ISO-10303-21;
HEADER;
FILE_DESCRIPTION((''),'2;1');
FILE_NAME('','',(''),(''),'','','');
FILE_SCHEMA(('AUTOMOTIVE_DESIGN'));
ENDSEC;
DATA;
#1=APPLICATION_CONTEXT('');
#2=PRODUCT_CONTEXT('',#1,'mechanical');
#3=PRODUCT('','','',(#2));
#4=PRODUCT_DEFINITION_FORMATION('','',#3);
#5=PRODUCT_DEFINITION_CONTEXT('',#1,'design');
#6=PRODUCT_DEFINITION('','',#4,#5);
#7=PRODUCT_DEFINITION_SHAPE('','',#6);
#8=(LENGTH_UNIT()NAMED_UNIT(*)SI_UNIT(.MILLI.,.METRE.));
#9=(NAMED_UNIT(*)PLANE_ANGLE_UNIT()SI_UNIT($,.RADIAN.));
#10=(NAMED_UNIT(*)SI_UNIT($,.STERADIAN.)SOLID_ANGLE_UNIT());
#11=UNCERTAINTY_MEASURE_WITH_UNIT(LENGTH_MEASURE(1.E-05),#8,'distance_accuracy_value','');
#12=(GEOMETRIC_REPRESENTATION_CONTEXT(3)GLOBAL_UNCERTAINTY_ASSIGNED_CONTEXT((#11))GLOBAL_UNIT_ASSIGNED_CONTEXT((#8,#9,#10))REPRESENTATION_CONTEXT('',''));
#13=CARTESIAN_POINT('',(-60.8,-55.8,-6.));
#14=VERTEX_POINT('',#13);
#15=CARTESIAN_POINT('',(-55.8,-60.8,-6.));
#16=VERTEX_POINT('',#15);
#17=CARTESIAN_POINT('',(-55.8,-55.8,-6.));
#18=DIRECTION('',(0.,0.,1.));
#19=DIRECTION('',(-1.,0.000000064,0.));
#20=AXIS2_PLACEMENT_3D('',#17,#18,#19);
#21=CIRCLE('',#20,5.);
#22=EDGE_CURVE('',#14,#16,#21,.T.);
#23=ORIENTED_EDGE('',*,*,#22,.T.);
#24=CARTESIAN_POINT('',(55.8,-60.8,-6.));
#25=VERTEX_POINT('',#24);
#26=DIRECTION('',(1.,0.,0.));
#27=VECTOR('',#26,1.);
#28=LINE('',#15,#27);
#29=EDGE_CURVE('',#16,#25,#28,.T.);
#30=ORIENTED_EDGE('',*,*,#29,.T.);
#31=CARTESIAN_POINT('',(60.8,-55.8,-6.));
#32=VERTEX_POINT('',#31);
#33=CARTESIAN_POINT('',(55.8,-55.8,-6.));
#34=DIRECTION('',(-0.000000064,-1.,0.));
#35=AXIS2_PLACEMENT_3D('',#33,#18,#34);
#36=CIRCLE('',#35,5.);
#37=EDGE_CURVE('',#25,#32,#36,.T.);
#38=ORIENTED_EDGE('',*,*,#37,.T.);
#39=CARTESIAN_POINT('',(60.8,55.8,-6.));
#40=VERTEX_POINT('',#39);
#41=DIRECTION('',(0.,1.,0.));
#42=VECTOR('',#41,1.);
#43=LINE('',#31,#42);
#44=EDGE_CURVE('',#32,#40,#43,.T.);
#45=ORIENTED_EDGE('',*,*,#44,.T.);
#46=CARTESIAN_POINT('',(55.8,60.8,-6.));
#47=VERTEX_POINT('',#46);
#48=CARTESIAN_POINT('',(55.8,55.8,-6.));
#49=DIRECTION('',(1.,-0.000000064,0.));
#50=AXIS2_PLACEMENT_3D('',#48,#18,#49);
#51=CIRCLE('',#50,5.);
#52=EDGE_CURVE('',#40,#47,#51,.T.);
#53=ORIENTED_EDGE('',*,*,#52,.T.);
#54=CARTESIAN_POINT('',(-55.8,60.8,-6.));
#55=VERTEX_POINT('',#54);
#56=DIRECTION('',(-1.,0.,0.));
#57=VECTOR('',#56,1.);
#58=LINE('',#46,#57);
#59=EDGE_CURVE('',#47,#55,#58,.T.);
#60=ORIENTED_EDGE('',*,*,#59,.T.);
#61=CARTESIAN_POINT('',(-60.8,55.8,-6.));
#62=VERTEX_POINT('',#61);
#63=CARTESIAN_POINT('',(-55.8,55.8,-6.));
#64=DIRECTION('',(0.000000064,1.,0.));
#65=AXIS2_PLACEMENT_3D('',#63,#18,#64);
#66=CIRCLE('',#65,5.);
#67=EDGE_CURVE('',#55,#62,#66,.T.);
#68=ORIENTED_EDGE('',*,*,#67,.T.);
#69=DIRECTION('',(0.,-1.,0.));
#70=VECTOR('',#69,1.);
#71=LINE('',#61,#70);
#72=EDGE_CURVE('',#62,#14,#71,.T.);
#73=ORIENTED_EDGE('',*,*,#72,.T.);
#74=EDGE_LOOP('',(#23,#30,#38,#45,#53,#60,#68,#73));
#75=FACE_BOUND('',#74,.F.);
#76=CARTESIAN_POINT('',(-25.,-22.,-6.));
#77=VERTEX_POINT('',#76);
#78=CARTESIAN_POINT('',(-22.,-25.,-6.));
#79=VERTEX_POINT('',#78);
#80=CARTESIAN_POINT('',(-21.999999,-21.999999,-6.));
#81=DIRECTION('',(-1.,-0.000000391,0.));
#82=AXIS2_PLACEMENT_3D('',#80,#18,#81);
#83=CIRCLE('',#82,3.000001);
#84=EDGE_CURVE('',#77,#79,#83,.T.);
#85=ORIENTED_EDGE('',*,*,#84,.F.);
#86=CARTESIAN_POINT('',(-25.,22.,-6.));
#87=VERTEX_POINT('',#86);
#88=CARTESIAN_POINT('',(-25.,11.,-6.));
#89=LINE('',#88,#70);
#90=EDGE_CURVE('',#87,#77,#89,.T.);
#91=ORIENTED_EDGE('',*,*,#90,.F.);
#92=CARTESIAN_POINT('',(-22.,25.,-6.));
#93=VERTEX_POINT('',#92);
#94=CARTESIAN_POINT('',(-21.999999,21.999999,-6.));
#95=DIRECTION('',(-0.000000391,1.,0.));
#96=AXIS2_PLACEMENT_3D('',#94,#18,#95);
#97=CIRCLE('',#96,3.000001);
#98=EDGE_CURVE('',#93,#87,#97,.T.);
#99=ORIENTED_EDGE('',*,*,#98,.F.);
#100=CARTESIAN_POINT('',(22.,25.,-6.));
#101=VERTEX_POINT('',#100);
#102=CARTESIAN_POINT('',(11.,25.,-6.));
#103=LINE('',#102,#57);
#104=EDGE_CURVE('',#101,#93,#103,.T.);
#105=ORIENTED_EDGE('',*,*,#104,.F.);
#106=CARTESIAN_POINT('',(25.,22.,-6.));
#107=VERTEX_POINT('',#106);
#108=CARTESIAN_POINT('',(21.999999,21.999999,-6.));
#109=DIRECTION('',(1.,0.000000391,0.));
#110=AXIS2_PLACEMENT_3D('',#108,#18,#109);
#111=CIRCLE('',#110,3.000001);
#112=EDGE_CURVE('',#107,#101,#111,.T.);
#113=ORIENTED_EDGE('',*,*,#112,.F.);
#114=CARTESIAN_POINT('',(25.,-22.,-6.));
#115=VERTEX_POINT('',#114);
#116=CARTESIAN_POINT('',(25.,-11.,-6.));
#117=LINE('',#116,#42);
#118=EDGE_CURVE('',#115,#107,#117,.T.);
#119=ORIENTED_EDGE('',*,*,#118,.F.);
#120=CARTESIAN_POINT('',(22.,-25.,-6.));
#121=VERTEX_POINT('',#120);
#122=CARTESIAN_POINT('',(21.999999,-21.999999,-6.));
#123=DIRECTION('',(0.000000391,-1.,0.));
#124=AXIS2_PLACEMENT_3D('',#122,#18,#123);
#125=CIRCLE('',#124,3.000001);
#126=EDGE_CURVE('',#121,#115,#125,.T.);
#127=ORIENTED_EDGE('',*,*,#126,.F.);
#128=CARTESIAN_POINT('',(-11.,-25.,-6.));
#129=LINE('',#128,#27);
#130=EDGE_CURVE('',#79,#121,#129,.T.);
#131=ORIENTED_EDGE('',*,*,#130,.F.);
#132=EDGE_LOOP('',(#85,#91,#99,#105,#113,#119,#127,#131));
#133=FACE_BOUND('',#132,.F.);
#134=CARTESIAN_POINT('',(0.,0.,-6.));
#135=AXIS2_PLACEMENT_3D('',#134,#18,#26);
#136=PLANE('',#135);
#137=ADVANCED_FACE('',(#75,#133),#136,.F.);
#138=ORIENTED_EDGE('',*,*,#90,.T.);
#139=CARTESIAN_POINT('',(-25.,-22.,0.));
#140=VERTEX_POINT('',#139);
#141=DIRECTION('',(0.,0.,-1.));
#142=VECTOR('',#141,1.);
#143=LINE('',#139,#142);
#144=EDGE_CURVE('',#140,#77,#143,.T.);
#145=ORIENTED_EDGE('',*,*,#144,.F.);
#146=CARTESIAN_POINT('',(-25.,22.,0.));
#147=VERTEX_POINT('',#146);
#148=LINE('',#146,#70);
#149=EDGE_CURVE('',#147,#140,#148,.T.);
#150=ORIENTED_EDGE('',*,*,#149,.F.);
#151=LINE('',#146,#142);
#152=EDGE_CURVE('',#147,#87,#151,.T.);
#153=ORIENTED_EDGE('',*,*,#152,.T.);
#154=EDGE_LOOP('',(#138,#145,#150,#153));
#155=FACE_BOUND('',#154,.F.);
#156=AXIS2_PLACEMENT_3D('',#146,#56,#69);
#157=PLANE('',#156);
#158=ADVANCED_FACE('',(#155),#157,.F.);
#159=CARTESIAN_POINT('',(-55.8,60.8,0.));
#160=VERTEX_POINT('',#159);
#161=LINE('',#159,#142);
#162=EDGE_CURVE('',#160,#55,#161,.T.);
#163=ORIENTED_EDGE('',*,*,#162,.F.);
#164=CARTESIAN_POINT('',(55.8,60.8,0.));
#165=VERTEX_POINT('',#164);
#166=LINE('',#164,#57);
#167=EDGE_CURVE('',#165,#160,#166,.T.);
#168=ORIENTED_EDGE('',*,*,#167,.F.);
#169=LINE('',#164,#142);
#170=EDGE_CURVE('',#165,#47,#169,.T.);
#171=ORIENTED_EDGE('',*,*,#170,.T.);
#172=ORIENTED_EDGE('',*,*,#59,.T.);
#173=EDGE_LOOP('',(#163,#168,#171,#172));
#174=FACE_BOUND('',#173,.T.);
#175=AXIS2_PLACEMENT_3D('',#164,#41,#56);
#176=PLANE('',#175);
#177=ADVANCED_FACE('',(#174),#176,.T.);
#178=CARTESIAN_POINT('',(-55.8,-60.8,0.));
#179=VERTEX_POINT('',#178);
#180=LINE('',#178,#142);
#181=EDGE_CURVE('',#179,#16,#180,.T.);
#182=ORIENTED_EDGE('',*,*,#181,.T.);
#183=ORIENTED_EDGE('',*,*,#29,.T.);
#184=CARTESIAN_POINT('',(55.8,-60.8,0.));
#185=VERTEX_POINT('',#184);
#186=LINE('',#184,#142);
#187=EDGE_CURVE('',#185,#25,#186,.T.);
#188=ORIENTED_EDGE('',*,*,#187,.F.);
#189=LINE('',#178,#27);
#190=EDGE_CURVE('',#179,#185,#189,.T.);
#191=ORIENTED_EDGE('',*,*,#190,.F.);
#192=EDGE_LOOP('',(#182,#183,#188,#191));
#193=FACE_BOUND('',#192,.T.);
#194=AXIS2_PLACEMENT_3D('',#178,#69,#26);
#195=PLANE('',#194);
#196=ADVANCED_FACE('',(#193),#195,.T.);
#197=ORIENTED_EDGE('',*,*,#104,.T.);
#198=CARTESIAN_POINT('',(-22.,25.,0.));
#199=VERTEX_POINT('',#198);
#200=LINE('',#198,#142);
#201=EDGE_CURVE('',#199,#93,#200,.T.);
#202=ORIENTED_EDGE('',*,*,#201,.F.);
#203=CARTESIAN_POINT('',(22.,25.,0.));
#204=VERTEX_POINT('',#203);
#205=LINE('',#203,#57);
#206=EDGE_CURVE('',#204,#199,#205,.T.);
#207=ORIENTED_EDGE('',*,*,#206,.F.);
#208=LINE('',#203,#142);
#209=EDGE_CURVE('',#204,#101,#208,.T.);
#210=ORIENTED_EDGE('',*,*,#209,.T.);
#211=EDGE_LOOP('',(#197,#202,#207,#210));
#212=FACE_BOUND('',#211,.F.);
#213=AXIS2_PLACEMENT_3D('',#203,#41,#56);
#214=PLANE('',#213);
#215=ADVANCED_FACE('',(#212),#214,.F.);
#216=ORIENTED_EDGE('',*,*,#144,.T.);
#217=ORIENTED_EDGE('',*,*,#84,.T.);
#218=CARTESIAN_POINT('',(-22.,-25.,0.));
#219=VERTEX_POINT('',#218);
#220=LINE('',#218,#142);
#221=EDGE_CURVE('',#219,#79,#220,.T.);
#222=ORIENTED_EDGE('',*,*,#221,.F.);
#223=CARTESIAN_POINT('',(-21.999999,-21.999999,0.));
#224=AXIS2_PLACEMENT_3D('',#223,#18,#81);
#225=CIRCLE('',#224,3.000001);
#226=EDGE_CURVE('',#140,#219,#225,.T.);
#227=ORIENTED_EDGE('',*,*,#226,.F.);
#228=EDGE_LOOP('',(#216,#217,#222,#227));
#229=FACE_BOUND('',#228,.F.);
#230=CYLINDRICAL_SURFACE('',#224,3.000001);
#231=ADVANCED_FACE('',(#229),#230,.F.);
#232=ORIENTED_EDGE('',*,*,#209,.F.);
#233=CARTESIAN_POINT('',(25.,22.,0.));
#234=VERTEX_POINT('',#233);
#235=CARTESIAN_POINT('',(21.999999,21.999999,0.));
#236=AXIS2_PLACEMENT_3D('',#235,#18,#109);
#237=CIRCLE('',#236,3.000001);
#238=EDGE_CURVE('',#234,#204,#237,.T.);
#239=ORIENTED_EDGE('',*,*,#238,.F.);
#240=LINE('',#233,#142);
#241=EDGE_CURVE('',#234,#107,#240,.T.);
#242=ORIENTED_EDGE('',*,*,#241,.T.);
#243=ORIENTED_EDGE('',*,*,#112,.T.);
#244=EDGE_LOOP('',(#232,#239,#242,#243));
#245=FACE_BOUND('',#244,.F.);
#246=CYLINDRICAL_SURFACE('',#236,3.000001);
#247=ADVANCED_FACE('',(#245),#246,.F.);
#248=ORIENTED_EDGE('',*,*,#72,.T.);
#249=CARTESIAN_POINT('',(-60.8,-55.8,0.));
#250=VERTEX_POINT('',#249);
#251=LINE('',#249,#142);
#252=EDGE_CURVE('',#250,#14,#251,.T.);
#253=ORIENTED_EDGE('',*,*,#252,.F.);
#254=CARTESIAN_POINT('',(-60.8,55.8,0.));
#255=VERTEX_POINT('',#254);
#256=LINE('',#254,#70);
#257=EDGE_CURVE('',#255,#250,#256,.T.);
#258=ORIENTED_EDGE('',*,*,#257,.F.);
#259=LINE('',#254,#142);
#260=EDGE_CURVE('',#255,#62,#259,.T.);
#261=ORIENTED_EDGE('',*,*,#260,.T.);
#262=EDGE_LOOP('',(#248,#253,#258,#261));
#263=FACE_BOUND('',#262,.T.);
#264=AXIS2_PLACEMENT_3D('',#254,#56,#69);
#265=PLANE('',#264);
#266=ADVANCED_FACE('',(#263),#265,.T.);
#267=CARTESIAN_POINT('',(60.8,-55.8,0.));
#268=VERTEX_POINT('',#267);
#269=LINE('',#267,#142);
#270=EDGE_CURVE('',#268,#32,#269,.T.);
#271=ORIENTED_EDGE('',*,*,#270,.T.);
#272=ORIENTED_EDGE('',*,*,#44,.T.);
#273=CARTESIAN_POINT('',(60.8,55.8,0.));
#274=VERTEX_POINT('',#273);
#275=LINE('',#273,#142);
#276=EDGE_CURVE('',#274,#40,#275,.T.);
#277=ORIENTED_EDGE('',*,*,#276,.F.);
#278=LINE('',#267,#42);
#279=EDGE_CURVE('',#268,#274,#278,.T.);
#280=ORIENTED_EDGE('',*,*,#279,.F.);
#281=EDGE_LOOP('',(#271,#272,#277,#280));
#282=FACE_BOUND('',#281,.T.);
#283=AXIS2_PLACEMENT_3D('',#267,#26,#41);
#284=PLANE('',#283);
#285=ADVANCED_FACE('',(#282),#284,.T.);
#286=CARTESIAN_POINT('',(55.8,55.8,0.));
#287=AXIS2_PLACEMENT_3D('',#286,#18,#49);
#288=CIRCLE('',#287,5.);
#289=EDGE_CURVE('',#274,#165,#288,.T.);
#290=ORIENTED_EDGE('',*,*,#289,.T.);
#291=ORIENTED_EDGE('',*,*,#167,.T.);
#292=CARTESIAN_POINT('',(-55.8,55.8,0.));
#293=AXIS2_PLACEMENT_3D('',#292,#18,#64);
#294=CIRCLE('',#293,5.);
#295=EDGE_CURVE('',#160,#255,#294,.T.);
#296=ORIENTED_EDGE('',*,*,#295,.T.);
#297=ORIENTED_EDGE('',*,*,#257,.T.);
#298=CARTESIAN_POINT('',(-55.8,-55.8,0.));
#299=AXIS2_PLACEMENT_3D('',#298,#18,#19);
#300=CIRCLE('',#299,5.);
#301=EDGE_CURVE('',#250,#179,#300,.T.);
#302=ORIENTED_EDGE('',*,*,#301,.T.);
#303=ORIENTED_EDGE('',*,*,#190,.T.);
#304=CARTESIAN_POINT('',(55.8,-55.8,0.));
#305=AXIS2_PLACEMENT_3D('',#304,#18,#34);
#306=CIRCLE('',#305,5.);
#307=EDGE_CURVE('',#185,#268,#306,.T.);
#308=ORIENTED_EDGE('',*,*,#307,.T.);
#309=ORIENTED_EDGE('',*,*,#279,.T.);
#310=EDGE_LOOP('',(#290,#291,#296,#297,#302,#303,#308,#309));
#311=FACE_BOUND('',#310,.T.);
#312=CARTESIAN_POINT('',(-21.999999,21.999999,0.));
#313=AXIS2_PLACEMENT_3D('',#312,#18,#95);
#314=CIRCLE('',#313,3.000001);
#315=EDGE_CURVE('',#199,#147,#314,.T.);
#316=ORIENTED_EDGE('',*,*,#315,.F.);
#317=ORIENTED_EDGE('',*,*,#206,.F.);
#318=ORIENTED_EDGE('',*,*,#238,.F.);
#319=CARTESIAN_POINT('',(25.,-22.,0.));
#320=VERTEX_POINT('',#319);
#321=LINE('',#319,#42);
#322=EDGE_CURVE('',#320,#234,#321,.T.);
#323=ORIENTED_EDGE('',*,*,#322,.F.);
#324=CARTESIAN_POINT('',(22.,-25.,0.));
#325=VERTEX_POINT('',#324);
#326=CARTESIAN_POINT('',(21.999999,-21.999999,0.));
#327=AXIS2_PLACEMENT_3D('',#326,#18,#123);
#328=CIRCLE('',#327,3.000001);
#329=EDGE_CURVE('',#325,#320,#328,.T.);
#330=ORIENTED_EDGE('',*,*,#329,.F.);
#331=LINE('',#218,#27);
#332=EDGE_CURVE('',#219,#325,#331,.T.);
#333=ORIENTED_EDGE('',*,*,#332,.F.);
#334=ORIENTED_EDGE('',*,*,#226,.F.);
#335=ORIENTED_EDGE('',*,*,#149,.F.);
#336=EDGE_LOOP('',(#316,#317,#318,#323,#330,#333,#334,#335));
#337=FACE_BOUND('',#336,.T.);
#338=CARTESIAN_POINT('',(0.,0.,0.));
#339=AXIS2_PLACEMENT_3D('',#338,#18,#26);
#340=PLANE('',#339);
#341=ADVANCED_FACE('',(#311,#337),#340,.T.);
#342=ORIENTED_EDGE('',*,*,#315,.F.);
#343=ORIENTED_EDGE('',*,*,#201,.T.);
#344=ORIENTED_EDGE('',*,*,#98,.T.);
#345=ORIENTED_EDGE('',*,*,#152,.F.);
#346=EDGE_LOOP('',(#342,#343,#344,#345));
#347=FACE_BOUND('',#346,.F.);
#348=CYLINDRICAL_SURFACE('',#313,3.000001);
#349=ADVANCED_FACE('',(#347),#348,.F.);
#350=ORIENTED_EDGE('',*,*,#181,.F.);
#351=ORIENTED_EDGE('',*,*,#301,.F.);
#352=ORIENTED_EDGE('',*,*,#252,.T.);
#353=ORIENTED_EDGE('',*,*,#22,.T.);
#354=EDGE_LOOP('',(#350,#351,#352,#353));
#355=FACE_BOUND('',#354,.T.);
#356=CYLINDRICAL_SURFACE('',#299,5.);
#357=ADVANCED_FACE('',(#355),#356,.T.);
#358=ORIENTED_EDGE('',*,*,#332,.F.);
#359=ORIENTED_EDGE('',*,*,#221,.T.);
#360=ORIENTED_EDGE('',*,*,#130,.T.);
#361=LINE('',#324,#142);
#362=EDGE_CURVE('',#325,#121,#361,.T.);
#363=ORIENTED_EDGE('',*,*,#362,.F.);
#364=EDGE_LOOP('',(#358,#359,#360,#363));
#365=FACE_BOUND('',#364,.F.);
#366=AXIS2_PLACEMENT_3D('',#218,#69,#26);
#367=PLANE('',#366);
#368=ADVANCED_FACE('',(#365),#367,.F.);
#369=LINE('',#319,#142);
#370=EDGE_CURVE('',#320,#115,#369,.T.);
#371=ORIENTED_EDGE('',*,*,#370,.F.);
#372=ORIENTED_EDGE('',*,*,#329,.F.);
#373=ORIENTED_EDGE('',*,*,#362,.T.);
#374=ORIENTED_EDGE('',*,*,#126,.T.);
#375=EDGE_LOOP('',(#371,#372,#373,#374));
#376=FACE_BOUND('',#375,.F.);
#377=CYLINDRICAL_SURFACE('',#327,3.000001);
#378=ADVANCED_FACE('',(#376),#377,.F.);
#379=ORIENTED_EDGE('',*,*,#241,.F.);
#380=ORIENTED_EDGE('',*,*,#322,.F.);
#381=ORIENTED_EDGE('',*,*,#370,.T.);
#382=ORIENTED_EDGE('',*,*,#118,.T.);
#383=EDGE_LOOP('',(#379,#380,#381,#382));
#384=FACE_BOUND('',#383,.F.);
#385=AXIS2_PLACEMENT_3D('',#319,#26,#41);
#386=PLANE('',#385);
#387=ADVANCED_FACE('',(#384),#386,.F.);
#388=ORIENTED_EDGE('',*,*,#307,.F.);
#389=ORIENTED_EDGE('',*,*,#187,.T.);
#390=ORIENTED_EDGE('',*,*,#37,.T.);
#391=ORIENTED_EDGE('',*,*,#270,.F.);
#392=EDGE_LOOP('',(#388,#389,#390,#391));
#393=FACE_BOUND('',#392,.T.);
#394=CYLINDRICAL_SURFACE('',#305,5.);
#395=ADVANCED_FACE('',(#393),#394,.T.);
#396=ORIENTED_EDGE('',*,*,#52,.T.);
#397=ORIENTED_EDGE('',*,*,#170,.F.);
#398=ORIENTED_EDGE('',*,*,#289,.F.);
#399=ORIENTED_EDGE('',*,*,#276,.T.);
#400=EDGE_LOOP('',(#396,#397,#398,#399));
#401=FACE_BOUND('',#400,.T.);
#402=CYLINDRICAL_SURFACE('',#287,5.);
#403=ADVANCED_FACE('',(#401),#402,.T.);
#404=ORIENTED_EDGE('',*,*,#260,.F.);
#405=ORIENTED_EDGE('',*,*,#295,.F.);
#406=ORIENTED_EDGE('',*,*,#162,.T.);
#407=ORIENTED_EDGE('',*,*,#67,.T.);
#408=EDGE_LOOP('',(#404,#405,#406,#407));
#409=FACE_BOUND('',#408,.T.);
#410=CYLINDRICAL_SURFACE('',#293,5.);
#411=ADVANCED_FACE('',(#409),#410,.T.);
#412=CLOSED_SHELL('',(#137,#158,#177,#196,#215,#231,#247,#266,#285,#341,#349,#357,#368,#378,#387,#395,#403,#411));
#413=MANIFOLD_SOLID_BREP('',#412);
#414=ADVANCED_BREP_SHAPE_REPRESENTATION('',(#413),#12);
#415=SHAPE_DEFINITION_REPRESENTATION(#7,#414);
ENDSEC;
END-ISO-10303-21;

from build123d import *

# Parameters (mm, degrees)
F1_DEPTH = 6
F3_DEPTH = 10


with BuildPart() as f1:
    # F0 (on Top) → F1 (new body)
    with BuildSketch(Plane.XY):
        with BuildLine():
            Line((-55.8, -60.8), (55.8, -60.8))
            ThreePointArc((55.8, -60.8), (59.335534, -59.335534), (60.8, -55.8))
            Line((60.8, -55.8), (60.8, 55.8))
            ThreePointArc((60.8, 55.8), (59.335534, 59.335534), (55.8, 60.8))
            Line((55.8, 60.8), (-55.8, 60.8))
            ThreePointArc((-55.8, 60.8), (-59.335534, 59.335534), (-60.8, 55.8))
            Line((-60.8, 55.8), (-60.8, -55.8))
            ThreePointArc((-60.8, -55.8), (-59.335534, -59.335534), (-55.8, -60.8))
        make_face()
    extrude(amount=-F1_DEPTH)

    # F2 (on face) → F3 (cut)
    with BuildSketch(Plane.XY):
        with BuildLine():
            Line((-22, -25), (22, -25))
            ThreePointArc((22, -25), (24.12132, -24.12132), (25, -22))
            Line((25, -22), (25, 22))
            ThreePointArc((25, 22), (24.12132, 24.12132), (22, 25))
            Line((22, 25), (-22, 25))
            ThreePointArc((-22, 25), (-24.12132, 24.12132), (-25, 22))
            Line((-25, 22), (-25, -22))
            ThreePointArc((-25, -22), (-24.12132, -24.12132), (-22, -25))
        make_face()
    extrude(amount=-F3_DEPTH, mode=Mode.SUBTRACT)


solid = f1.part
